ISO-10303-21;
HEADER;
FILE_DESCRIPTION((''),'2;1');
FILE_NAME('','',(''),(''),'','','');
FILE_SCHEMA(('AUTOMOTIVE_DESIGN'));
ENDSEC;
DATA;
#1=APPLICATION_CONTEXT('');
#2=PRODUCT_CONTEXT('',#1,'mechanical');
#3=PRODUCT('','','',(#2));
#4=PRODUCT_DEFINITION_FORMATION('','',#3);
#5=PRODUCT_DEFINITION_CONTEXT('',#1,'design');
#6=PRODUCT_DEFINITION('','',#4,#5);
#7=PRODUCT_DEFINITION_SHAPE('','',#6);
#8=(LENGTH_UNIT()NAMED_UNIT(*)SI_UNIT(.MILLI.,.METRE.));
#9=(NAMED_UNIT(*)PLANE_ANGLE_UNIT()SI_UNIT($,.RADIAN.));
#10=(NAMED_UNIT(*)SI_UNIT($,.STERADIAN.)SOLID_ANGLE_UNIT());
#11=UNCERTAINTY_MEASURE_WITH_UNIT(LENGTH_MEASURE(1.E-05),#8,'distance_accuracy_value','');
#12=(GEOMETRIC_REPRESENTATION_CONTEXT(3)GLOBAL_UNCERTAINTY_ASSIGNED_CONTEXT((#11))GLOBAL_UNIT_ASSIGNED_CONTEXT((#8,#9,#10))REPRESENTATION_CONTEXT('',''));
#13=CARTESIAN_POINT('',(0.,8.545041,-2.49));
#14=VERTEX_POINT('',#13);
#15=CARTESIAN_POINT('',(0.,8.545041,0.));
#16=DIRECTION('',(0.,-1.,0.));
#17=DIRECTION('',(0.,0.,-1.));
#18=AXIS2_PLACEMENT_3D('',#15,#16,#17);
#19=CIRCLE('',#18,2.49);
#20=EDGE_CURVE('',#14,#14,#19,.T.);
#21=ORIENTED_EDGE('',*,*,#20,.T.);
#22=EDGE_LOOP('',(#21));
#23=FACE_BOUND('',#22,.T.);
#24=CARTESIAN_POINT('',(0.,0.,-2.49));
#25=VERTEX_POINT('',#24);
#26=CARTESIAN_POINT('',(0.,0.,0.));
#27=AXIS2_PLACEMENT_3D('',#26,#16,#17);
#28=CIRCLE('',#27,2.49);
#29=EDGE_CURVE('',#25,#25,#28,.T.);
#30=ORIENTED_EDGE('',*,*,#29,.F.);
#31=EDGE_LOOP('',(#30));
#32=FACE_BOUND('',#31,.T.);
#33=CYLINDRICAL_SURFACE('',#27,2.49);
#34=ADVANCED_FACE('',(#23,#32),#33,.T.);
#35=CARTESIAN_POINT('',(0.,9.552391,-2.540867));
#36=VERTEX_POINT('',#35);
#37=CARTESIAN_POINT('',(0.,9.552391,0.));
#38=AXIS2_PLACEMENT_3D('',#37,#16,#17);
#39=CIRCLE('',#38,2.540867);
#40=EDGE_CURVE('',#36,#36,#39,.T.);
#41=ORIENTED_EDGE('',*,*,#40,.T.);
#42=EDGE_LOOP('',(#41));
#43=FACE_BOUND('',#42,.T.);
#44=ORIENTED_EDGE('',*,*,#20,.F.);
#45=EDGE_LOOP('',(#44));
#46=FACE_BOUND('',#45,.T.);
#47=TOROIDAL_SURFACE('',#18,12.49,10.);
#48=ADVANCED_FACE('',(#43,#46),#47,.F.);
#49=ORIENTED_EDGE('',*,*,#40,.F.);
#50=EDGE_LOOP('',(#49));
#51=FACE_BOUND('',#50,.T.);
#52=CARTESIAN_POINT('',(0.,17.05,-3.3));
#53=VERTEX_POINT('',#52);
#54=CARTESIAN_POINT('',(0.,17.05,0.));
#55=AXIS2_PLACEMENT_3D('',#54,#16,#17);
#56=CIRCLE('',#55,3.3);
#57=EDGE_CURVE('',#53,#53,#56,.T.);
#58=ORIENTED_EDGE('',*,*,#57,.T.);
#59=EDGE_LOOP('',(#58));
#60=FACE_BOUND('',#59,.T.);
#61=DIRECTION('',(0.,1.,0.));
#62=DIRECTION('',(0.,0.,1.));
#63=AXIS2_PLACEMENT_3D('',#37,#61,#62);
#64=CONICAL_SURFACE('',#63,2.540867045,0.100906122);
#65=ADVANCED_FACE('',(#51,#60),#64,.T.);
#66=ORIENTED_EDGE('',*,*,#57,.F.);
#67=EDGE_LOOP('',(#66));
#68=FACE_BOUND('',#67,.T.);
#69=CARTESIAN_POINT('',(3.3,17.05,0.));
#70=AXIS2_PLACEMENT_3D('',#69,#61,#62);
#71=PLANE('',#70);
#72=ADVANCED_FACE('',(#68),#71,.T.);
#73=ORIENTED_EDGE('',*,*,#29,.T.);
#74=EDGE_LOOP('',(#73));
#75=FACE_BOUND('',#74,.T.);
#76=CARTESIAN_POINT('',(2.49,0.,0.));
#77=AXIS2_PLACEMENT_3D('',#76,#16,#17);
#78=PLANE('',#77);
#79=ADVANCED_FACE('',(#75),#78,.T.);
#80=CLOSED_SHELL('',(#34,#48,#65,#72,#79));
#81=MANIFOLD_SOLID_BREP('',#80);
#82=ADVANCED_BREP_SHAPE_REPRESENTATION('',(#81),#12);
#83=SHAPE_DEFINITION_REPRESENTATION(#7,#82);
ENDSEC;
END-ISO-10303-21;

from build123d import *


with BuildPart() as part:
    # Sketch4 → Revolve1 (revolve)
    with BuildSketch(Plane.XY, mode=Mode.PRIVATE) as revolve1_sk:
        with BuildLine():
            Line((0, 0), (0, 12.05))
            Line((0, 12.05), (0, 17.05))
            Line((0, 17.05), (3.3, 17.05))
            Line((3.3, 17.05), (2.540867045, 9.552390567))
            ThreePointArc((2.540867045, 9.552390567), (2.502724857, 9.049357447), (2.49, 8.545040855))
            Line((2.49, 8.545040855), (2.49, 0))
            Line((2.49, 0), (0, 0))
        make_face()
    revolve(revolve1_sk.sketch.rotate(Axis((0, 0, 0), (0, 1, 0)), 90), axis=Axis((0, 0, 0), (0, 1, 0)))


solid = part.part
